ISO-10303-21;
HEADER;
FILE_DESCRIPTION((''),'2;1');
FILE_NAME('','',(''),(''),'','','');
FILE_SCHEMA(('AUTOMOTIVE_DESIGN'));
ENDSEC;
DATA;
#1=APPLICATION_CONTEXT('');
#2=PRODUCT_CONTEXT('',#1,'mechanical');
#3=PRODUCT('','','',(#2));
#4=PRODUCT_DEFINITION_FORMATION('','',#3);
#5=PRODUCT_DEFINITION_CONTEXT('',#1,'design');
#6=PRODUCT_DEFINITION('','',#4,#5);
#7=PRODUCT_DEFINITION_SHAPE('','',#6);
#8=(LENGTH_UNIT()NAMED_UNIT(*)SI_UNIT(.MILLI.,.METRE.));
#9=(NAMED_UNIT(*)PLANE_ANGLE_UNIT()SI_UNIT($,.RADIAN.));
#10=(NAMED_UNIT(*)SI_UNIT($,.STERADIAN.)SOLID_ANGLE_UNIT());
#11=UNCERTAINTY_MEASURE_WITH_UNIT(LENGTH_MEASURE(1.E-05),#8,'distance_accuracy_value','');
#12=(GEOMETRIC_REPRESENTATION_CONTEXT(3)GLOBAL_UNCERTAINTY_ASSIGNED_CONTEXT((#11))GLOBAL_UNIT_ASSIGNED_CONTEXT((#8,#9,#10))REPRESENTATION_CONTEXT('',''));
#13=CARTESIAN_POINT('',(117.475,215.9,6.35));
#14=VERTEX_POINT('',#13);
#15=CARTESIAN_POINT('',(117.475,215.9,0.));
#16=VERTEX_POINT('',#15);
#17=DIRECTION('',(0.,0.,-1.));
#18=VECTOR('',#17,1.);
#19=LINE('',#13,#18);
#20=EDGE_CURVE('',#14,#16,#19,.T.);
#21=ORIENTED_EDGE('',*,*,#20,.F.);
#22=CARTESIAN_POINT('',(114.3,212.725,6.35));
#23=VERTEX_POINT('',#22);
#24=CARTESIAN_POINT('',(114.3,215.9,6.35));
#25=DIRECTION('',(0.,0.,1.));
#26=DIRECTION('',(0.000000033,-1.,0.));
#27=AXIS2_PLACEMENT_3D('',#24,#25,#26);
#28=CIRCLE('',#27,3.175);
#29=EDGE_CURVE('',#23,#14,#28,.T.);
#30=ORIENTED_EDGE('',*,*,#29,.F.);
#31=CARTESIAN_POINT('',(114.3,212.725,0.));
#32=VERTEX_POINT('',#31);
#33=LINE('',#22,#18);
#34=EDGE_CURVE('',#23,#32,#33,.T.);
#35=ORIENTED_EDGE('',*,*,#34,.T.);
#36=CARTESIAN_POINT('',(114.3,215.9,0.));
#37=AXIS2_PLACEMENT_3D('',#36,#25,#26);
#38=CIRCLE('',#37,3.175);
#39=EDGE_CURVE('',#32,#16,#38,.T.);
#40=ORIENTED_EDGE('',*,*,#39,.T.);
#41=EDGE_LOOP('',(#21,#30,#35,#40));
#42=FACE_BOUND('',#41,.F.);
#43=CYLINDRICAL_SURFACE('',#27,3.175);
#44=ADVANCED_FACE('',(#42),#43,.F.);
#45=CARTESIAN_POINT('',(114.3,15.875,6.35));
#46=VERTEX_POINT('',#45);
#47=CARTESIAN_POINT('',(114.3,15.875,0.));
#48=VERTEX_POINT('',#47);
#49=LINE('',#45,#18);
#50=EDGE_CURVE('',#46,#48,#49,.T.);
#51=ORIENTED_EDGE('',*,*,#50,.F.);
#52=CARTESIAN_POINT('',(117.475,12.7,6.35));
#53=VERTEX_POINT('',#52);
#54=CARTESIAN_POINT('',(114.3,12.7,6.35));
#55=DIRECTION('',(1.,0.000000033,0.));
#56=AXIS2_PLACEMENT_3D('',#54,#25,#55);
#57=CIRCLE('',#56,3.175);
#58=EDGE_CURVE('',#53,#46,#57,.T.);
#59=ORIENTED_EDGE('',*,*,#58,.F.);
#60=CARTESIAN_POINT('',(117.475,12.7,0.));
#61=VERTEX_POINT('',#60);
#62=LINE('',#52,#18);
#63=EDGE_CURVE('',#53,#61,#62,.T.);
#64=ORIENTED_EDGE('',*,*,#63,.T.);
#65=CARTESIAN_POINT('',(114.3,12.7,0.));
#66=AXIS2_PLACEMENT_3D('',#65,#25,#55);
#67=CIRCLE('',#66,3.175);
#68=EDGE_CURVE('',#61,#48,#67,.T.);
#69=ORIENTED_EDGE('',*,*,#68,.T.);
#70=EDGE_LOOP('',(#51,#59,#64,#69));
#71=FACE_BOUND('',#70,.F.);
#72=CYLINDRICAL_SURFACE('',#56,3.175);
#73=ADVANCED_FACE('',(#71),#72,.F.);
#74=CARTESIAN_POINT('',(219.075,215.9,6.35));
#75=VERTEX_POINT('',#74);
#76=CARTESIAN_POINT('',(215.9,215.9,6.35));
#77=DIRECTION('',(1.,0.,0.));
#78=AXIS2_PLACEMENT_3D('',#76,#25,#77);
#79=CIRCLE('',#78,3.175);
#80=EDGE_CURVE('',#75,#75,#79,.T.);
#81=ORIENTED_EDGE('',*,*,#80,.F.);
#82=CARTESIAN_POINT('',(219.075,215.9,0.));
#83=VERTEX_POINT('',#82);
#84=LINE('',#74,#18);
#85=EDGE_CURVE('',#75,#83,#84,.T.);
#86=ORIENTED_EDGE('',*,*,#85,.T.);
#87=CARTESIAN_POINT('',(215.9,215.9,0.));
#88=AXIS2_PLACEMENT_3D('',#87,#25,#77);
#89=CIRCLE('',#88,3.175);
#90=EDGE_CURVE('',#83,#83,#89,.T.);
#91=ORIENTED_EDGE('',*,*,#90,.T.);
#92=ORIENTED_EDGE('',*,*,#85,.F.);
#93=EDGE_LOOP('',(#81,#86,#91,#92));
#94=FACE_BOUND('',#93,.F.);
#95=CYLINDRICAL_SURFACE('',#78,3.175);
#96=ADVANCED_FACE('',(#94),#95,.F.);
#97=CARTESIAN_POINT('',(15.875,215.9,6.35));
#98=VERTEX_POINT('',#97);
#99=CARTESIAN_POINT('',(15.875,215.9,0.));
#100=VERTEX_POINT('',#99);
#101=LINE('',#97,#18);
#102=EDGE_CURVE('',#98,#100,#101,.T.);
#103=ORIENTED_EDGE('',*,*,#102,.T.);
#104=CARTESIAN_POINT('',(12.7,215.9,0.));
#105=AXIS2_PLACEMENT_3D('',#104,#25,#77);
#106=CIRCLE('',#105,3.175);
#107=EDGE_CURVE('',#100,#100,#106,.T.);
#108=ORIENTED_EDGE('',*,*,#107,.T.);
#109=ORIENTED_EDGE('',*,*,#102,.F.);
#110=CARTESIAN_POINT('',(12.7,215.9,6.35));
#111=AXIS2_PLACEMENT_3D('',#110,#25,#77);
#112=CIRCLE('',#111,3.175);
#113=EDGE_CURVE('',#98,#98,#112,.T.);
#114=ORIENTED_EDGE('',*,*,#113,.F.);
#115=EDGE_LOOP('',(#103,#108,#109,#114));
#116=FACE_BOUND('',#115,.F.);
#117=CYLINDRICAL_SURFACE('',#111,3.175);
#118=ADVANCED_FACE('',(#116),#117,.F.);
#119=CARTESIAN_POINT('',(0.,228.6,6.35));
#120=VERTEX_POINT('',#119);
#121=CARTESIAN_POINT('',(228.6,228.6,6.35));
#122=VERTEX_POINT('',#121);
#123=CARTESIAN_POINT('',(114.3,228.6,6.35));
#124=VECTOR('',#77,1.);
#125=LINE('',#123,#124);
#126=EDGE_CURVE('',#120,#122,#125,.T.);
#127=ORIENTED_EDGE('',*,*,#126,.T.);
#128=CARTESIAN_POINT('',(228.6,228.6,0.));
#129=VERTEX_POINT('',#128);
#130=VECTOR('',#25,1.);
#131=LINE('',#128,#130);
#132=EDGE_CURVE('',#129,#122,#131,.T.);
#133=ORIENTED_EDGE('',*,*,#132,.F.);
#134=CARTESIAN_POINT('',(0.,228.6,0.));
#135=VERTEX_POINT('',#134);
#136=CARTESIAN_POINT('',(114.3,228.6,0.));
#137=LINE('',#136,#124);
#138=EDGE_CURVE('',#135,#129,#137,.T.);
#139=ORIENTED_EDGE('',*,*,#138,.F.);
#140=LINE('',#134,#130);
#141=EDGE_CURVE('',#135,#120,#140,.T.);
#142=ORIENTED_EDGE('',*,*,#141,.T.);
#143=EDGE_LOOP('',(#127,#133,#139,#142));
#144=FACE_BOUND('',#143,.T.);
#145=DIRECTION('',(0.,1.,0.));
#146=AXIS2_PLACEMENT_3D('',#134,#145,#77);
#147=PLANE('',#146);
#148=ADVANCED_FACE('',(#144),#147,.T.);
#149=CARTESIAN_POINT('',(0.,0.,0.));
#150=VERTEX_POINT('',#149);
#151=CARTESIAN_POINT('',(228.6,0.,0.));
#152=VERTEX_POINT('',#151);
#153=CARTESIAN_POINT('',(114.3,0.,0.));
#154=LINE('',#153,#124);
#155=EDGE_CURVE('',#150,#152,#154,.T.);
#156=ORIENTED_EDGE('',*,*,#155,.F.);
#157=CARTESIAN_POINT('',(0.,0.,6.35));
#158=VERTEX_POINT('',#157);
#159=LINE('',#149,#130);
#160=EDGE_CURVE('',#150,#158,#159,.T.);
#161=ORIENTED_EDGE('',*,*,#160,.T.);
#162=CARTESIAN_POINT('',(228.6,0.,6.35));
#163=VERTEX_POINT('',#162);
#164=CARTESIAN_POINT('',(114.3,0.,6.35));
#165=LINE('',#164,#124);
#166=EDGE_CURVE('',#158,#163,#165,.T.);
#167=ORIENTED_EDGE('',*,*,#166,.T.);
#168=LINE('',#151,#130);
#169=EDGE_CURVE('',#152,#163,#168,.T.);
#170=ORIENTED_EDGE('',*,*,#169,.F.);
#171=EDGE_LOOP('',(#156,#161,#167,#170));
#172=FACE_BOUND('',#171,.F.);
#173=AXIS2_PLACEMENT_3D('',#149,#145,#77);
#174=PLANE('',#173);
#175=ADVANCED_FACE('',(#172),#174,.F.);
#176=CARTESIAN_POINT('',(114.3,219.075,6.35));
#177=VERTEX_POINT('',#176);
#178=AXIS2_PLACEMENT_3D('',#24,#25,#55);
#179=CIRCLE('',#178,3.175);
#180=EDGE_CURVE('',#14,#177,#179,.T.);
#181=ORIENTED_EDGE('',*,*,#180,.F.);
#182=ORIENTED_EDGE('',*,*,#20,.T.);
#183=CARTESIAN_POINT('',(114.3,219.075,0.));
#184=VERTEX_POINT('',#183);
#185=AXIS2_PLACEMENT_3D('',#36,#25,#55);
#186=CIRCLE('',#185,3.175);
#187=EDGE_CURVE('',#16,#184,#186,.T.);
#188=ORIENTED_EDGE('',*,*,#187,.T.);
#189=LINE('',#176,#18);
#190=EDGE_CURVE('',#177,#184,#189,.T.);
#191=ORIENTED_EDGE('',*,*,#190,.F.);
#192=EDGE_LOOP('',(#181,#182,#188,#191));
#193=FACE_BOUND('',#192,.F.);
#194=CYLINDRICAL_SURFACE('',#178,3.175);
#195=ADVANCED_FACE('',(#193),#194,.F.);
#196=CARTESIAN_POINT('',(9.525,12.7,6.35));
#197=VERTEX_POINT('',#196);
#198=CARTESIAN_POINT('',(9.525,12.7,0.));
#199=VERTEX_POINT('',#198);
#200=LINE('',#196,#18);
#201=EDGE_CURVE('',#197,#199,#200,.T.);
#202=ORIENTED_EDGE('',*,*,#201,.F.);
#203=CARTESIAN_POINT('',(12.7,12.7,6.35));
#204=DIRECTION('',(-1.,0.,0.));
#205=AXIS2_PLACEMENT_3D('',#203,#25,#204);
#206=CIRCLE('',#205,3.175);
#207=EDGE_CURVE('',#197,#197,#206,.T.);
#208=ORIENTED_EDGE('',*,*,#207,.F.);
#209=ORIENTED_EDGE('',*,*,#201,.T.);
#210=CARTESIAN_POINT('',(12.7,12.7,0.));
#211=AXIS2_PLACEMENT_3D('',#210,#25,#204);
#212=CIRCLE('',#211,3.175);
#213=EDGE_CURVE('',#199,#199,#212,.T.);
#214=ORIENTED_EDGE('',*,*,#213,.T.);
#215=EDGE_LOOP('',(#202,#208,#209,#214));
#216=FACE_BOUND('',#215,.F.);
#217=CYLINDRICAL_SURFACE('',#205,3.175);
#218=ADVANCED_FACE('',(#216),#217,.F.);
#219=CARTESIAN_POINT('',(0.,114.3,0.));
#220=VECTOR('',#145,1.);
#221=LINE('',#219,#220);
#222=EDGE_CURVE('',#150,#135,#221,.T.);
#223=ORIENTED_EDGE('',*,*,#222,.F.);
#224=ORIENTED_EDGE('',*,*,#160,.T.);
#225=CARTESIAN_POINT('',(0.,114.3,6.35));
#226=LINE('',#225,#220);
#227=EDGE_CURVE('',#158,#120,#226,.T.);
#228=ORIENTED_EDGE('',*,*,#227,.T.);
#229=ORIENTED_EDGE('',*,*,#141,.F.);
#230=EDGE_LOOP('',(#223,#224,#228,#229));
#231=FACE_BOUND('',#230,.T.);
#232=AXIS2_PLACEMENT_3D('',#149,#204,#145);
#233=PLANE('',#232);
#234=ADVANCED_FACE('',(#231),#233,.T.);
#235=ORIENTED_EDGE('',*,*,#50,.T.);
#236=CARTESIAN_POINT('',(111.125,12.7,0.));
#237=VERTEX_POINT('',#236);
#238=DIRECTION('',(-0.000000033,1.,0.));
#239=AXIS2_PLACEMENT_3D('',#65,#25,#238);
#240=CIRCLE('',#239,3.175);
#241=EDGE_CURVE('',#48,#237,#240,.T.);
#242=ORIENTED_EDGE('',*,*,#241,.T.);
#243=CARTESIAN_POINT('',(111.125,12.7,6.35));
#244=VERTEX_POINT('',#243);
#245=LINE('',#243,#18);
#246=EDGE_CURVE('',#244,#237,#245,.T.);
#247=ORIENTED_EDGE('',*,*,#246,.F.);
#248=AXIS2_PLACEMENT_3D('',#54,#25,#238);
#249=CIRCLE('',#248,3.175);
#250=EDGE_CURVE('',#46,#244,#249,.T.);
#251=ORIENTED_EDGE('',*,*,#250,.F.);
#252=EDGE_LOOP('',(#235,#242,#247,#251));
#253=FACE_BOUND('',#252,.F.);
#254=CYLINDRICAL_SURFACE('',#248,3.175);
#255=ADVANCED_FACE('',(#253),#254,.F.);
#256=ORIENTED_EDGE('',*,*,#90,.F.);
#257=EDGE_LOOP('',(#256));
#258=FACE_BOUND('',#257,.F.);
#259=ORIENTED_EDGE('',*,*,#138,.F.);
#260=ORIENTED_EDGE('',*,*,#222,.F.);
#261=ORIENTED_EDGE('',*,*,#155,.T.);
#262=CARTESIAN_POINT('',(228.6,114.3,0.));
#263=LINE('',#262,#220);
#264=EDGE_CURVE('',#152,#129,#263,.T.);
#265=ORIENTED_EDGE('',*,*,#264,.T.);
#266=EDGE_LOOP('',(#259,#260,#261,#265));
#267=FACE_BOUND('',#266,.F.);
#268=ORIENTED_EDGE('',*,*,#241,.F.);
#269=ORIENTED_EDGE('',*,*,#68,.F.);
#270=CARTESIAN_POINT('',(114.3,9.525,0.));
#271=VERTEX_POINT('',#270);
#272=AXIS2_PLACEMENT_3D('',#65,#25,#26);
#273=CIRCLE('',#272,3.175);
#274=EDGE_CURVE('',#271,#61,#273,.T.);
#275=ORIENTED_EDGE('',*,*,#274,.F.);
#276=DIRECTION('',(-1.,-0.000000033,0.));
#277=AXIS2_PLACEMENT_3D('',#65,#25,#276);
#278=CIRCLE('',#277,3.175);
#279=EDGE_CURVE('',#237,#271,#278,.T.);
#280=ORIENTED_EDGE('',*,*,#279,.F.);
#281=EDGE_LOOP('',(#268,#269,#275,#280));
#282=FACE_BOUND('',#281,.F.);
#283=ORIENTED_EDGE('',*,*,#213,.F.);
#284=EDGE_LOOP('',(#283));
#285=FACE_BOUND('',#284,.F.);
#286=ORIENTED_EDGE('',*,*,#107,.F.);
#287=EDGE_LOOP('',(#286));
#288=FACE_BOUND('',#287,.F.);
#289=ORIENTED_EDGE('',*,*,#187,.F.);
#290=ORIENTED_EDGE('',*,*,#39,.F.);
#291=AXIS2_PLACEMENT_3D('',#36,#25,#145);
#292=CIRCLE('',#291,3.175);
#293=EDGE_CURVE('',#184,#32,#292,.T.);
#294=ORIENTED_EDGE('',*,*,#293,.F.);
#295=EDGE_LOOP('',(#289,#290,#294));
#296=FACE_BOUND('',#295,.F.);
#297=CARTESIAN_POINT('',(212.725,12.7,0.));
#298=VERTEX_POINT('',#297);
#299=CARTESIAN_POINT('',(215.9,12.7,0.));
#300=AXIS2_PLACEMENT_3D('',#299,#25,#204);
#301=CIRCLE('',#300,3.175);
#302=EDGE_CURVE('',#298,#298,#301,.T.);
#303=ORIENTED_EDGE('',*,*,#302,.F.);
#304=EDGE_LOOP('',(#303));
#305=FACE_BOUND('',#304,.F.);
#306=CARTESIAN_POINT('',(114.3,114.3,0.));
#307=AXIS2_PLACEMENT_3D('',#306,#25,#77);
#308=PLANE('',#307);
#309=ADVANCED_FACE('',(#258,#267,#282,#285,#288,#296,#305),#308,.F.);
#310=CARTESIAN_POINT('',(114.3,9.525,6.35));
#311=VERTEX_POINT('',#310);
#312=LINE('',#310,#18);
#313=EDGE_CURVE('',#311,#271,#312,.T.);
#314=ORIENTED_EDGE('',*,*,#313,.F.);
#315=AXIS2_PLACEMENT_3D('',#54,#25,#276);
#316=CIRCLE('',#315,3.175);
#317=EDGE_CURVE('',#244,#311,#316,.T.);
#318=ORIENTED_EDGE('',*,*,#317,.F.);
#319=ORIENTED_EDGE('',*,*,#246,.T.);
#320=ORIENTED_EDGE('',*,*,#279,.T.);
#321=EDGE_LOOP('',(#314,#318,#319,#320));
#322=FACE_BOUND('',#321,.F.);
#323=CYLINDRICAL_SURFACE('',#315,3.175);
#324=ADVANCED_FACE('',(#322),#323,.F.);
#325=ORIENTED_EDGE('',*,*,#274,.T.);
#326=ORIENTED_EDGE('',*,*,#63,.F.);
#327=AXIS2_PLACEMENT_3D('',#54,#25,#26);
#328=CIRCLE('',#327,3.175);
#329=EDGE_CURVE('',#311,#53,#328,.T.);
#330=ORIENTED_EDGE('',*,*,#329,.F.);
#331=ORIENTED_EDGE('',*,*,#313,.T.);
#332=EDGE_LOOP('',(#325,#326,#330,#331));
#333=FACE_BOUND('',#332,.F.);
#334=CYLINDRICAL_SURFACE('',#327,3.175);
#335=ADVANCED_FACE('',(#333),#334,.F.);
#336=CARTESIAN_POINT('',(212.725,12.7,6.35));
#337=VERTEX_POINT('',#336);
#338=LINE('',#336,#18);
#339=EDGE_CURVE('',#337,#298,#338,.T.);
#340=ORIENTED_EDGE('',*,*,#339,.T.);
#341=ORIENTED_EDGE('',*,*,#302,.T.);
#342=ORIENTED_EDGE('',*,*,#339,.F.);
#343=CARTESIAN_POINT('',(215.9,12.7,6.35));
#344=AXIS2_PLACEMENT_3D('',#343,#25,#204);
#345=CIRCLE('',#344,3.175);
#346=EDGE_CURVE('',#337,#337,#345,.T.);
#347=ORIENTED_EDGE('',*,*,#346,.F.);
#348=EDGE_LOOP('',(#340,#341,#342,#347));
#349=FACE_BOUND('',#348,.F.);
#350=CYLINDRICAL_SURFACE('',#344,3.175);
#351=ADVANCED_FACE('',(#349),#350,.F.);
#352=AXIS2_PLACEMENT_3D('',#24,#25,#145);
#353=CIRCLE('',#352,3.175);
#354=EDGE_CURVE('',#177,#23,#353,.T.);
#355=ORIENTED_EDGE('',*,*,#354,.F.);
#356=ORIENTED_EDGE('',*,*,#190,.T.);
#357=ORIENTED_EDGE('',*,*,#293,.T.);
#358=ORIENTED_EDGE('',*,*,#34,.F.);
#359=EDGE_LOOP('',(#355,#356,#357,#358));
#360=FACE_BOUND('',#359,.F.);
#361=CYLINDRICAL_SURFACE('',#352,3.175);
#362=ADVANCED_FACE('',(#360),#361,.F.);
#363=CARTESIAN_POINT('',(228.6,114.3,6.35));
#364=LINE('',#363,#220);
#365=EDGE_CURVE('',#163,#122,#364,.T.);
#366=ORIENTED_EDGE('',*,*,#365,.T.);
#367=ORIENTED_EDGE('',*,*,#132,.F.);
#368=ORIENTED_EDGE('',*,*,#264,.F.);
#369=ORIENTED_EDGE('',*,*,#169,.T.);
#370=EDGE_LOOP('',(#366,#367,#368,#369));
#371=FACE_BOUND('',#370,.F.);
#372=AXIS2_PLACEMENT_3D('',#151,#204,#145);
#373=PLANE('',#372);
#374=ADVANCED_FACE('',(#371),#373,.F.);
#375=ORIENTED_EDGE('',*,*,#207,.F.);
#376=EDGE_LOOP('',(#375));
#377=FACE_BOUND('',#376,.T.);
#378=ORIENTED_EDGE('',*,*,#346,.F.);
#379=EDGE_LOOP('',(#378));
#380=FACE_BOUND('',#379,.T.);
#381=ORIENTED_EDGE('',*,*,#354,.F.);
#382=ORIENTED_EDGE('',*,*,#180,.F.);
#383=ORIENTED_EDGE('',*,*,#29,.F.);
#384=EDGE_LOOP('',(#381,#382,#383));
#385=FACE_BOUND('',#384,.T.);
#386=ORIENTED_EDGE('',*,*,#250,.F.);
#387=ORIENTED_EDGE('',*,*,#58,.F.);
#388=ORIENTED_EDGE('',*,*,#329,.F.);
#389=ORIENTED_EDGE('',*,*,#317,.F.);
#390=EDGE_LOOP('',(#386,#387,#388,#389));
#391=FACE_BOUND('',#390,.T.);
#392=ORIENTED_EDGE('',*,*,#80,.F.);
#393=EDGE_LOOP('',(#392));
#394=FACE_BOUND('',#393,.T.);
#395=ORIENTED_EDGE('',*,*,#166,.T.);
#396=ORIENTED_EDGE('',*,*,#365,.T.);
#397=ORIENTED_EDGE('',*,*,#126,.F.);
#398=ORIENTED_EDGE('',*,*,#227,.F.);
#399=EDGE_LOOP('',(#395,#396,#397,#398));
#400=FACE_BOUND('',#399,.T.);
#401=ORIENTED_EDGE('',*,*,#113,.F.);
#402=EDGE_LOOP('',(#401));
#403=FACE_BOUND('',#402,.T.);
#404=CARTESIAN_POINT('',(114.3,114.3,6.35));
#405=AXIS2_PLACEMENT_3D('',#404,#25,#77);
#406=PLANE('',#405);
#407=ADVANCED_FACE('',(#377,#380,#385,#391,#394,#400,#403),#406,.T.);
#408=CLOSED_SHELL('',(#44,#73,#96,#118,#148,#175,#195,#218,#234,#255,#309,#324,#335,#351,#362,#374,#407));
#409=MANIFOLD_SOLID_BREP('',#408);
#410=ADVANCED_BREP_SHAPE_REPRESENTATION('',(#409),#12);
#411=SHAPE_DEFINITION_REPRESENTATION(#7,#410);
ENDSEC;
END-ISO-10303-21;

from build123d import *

# Parameters (mm, degrees)
F0_W     = 228.6
F0_H     = 228.6
F1_DEPTH = 6.35
F2_R     = 3.175
F3_DEPTH = 25.4


with BuildPart() as f1:
    # F0 (on Top) → F1 (new body)
    with BuildSketch(Plane.XY):
        with Locations((114.3, 114.3)):
            Rectangle(F0_W, F0_H)
    extrude(amount=F1_DEPTH)

    # F2 (on face) → F3 (cut)
    with BuildSketch(Plane.XY.offset(6.35)):
        with BuildLine():
            ThreePointArc((15.875, 12.7), (12.7, 15.875), (9.525, 12.7))
            Line((9.525, 12.7), (15.875, 12.7))
        make_face()
        with BuildLine():
            ThreePointArc((114.3, 219.075), (111.125, 215.9), (114.3, 212.725))
            Line((114.3, 212.725), (114.3, 219.075))
        make_face()
        with BuildLine():
            Line((114.3, 219.075), (114.3, 212.725))
            ThreePointArc((114.3, 212.725), (116.545064, 213.654936), (117.475, 215.9))
            ThreePointArc((117.475, 215.9), (116.545064, 218.145064), (114.3, 219.075))
        make_face()
        with BuildLine():
            ThreePointArc((219.075, 12.7), (215.9, 15.875), (212.725, 12.7))
            Line((212.725, 12.7), (219.075, 12.7))
        make_face()
        with BuildLine():
            Line((219.075, 12.7), (212.725, 12.7))
            ThreePointArc((212.725, 12.7), (215.9, 9.525), (219.075, 12.7))
        make_face()
        with BuildLine():
            ThreePointArc((114.3, 15.875), (112.054936, 14.945064), (111.125, 12.7))
            Line((111.125, 12.7), (114.3, 12.7))
            Line((114.3, 12.7), (114.3, 15.875))
        make_face()
        with BuildLine():
            Line((114.3, 12.7), (111.125, 12.7))
            ThreePointArc((111.125, 12.7), (112.054936, 10.454936), (114.3, 9.525))
            Line((114.3, 9.525), (114.3, 12.7))
        make_face()
        with BuildLine():
            Line((15.875, 12.7), (9.525, 12.7))
            ThreePointArc((9.525, 12.7), (12.7, 9.525), (15.875, 12.7))
        make_face()
        with BuildLine():
            Line((114.3, 15.875), (114.3, 12.7))
            Line((114.3, 12.7), (117.475, 12.7))
            ThreePointArc((117.475, 12.7), (116.545064, 14.945064), (114.3, 15.875))
        make_face()
        with BuildLine():
            Line((117.475, 12.7), (114.3, 12.7))
            Line((114.3, 12.7), (114.3, 9.525))
            ThreePointArc((114.3, 9.525), (116.545064, 10.454936), (117.475, 12.7))
        make_face()
        with Locations((12.7, 215.9)):
            Circle(F2_R)
        with Locations((215.9, 215.9)):
            Circle(F2_R)
    extrude(amount=-F3_DEPTH, mode=Mode.SUBTRACT)


solid = f1.part
